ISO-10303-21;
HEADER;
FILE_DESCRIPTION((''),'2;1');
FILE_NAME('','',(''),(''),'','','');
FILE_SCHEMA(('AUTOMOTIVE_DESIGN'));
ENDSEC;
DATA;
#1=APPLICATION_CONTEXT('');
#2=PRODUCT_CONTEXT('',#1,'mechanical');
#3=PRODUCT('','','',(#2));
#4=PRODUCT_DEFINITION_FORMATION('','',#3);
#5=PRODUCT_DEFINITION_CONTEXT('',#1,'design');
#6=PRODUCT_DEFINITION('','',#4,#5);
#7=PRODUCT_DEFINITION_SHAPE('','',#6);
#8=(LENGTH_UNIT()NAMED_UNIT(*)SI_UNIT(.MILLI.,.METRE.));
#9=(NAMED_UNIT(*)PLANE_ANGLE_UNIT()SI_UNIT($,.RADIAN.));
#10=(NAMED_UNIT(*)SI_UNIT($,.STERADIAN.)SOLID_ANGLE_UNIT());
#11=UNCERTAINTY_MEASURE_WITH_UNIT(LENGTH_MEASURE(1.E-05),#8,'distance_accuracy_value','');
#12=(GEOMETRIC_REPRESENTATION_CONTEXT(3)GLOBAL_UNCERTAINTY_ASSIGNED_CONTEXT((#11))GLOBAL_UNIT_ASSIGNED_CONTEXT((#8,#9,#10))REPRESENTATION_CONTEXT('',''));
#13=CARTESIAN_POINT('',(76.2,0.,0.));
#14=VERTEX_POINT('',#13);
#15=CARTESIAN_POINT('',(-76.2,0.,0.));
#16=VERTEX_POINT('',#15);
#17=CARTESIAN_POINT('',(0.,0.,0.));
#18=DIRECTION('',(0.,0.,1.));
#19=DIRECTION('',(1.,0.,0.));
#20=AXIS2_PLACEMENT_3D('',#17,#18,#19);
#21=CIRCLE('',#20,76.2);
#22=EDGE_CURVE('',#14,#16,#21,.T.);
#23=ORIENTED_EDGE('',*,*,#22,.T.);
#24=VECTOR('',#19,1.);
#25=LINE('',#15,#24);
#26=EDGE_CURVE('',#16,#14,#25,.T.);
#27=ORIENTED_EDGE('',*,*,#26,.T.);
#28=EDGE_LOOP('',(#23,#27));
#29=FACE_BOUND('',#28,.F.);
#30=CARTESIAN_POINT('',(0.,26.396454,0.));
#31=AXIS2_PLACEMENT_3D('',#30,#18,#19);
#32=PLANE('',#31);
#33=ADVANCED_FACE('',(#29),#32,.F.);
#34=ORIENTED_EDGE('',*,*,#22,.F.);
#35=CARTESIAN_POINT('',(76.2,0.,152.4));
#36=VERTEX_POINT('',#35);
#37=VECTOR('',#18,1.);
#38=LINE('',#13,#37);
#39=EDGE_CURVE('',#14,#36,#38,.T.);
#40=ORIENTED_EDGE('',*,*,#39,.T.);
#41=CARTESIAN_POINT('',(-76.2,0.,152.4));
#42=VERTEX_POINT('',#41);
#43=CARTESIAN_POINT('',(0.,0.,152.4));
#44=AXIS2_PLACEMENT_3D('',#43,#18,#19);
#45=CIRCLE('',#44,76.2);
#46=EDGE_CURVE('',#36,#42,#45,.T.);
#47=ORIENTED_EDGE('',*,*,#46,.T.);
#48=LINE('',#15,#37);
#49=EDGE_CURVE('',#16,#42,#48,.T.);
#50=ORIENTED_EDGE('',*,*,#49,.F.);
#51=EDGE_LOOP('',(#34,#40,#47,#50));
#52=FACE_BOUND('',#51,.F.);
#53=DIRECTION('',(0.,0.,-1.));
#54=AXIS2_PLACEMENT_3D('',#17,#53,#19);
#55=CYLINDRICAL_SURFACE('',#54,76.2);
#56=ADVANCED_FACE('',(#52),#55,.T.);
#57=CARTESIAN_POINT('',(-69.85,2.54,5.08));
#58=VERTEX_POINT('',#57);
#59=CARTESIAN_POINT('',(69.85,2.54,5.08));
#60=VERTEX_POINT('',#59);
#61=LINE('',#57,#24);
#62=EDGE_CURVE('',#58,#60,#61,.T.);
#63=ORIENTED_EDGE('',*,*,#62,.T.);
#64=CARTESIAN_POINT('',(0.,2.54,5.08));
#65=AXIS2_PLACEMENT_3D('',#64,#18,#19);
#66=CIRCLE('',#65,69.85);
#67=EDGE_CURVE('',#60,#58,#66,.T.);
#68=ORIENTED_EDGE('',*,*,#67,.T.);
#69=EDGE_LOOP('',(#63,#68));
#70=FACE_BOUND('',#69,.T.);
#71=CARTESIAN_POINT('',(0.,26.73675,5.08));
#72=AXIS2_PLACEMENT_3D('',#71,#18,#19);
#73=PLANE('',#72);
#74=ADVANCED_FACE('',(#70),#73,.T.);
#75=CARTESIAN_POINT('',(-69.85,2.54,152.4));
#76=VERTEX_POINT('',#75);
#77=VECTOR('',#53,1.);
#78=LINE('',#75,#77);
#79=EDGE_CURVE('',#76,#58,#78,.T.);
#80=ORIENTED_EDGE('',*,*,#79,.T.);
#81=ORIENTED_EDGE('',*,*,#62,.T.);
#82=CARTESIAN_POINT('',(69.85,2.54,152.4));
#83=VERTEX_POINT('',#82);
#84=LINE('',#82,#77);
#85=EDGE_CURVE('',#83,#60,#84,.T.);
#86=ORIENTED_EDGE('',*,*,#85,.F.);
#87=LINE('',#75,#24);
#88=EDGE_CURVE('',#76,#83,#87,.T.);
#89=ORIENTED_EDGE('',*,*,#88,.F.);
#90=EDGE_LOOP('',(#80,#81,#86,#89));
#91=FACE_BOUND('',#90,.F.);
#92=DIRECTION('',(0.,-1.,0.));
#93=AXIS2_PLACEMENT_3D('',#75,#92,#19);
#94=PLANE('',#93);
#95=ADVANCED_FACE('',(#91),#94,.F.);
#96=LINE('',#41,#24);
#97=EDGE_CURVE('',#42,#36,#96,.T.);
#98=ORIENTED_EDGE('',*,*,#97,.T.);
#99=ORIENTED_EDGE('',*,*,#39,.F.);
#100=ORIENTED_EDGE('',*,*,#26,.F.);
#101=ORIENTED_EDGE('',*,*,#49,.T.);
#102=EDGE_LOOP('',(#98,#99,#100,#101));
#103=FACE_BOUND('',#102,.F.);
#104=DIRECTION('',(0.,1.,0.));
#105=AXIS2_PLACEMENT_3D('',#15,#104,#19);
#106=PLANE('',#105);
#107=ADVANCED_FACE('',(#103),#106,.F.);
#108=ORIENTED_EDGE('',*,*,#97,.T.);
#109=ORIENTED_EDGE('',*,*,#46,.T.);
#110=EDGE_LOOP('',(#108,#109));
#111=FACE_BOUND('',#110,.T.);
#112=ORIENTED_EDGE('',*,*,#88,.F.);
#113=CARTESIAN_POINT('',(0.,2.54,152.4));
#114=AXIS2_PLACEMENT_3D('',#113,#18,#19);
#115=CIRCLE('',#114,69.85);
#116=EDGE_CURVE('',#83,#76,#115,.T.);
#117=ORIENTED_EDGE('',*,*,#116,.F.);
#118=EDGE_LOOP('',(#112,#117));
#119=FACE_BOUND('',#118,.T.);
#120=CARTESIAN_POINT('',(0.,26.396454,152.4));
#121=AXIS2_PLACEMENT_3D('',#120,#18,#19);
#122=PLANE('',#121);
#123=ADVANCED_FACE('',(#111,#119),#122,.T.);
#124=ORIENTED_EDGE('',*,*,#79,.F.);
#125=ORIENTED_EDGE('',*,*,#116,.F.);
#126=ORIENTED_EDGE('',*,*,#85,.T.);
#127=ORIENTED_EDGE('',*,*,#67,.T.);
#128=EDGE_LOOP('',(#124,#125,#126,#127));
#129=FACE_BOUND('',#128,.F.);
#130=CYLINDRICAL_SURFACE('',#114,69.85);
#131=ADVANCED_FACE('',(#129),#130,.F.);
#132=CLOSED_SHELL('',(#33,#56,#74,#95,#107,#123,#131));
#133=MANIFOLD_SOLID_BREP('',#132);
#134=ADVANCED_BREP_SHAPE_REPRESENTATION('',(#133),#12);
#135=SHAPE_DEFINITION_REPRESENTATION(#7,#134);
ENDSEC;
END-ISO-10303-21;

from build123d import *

# Parameters (mm, degrees)
F1_DEPTH = 152.4
F3_DEPTH = 147.32


with BuildPart() as f1:
    # F0 (on Top) → F1 (new body)
    with BuildSketch(Plane.XY):
        with BuildLine():
            Line((-76.2, 0), (76.2, 0))
            ThreePointArc((76.2, 0), (0, 76.2), (-76.2, 0))
        make_face()
    extrude(amount=F1_DEPTH)

    # F2 (on face) → F3 (cut)
    with BuildSketch(Plane.XY.offset(152.4)):
        with BuildLine():
            Line((0, 2.54), (69.85, 2.54))
            ThreePointArc((69.85, 2.54), (0, 72.39), (-69.85, 2.54))
            Line((-69.85, 2.54), (0, 2.54))
        make_face()
    extrude(amount=-F3_DEPTH, mode=Mode.SUBTRACT)


solid = f1.part
